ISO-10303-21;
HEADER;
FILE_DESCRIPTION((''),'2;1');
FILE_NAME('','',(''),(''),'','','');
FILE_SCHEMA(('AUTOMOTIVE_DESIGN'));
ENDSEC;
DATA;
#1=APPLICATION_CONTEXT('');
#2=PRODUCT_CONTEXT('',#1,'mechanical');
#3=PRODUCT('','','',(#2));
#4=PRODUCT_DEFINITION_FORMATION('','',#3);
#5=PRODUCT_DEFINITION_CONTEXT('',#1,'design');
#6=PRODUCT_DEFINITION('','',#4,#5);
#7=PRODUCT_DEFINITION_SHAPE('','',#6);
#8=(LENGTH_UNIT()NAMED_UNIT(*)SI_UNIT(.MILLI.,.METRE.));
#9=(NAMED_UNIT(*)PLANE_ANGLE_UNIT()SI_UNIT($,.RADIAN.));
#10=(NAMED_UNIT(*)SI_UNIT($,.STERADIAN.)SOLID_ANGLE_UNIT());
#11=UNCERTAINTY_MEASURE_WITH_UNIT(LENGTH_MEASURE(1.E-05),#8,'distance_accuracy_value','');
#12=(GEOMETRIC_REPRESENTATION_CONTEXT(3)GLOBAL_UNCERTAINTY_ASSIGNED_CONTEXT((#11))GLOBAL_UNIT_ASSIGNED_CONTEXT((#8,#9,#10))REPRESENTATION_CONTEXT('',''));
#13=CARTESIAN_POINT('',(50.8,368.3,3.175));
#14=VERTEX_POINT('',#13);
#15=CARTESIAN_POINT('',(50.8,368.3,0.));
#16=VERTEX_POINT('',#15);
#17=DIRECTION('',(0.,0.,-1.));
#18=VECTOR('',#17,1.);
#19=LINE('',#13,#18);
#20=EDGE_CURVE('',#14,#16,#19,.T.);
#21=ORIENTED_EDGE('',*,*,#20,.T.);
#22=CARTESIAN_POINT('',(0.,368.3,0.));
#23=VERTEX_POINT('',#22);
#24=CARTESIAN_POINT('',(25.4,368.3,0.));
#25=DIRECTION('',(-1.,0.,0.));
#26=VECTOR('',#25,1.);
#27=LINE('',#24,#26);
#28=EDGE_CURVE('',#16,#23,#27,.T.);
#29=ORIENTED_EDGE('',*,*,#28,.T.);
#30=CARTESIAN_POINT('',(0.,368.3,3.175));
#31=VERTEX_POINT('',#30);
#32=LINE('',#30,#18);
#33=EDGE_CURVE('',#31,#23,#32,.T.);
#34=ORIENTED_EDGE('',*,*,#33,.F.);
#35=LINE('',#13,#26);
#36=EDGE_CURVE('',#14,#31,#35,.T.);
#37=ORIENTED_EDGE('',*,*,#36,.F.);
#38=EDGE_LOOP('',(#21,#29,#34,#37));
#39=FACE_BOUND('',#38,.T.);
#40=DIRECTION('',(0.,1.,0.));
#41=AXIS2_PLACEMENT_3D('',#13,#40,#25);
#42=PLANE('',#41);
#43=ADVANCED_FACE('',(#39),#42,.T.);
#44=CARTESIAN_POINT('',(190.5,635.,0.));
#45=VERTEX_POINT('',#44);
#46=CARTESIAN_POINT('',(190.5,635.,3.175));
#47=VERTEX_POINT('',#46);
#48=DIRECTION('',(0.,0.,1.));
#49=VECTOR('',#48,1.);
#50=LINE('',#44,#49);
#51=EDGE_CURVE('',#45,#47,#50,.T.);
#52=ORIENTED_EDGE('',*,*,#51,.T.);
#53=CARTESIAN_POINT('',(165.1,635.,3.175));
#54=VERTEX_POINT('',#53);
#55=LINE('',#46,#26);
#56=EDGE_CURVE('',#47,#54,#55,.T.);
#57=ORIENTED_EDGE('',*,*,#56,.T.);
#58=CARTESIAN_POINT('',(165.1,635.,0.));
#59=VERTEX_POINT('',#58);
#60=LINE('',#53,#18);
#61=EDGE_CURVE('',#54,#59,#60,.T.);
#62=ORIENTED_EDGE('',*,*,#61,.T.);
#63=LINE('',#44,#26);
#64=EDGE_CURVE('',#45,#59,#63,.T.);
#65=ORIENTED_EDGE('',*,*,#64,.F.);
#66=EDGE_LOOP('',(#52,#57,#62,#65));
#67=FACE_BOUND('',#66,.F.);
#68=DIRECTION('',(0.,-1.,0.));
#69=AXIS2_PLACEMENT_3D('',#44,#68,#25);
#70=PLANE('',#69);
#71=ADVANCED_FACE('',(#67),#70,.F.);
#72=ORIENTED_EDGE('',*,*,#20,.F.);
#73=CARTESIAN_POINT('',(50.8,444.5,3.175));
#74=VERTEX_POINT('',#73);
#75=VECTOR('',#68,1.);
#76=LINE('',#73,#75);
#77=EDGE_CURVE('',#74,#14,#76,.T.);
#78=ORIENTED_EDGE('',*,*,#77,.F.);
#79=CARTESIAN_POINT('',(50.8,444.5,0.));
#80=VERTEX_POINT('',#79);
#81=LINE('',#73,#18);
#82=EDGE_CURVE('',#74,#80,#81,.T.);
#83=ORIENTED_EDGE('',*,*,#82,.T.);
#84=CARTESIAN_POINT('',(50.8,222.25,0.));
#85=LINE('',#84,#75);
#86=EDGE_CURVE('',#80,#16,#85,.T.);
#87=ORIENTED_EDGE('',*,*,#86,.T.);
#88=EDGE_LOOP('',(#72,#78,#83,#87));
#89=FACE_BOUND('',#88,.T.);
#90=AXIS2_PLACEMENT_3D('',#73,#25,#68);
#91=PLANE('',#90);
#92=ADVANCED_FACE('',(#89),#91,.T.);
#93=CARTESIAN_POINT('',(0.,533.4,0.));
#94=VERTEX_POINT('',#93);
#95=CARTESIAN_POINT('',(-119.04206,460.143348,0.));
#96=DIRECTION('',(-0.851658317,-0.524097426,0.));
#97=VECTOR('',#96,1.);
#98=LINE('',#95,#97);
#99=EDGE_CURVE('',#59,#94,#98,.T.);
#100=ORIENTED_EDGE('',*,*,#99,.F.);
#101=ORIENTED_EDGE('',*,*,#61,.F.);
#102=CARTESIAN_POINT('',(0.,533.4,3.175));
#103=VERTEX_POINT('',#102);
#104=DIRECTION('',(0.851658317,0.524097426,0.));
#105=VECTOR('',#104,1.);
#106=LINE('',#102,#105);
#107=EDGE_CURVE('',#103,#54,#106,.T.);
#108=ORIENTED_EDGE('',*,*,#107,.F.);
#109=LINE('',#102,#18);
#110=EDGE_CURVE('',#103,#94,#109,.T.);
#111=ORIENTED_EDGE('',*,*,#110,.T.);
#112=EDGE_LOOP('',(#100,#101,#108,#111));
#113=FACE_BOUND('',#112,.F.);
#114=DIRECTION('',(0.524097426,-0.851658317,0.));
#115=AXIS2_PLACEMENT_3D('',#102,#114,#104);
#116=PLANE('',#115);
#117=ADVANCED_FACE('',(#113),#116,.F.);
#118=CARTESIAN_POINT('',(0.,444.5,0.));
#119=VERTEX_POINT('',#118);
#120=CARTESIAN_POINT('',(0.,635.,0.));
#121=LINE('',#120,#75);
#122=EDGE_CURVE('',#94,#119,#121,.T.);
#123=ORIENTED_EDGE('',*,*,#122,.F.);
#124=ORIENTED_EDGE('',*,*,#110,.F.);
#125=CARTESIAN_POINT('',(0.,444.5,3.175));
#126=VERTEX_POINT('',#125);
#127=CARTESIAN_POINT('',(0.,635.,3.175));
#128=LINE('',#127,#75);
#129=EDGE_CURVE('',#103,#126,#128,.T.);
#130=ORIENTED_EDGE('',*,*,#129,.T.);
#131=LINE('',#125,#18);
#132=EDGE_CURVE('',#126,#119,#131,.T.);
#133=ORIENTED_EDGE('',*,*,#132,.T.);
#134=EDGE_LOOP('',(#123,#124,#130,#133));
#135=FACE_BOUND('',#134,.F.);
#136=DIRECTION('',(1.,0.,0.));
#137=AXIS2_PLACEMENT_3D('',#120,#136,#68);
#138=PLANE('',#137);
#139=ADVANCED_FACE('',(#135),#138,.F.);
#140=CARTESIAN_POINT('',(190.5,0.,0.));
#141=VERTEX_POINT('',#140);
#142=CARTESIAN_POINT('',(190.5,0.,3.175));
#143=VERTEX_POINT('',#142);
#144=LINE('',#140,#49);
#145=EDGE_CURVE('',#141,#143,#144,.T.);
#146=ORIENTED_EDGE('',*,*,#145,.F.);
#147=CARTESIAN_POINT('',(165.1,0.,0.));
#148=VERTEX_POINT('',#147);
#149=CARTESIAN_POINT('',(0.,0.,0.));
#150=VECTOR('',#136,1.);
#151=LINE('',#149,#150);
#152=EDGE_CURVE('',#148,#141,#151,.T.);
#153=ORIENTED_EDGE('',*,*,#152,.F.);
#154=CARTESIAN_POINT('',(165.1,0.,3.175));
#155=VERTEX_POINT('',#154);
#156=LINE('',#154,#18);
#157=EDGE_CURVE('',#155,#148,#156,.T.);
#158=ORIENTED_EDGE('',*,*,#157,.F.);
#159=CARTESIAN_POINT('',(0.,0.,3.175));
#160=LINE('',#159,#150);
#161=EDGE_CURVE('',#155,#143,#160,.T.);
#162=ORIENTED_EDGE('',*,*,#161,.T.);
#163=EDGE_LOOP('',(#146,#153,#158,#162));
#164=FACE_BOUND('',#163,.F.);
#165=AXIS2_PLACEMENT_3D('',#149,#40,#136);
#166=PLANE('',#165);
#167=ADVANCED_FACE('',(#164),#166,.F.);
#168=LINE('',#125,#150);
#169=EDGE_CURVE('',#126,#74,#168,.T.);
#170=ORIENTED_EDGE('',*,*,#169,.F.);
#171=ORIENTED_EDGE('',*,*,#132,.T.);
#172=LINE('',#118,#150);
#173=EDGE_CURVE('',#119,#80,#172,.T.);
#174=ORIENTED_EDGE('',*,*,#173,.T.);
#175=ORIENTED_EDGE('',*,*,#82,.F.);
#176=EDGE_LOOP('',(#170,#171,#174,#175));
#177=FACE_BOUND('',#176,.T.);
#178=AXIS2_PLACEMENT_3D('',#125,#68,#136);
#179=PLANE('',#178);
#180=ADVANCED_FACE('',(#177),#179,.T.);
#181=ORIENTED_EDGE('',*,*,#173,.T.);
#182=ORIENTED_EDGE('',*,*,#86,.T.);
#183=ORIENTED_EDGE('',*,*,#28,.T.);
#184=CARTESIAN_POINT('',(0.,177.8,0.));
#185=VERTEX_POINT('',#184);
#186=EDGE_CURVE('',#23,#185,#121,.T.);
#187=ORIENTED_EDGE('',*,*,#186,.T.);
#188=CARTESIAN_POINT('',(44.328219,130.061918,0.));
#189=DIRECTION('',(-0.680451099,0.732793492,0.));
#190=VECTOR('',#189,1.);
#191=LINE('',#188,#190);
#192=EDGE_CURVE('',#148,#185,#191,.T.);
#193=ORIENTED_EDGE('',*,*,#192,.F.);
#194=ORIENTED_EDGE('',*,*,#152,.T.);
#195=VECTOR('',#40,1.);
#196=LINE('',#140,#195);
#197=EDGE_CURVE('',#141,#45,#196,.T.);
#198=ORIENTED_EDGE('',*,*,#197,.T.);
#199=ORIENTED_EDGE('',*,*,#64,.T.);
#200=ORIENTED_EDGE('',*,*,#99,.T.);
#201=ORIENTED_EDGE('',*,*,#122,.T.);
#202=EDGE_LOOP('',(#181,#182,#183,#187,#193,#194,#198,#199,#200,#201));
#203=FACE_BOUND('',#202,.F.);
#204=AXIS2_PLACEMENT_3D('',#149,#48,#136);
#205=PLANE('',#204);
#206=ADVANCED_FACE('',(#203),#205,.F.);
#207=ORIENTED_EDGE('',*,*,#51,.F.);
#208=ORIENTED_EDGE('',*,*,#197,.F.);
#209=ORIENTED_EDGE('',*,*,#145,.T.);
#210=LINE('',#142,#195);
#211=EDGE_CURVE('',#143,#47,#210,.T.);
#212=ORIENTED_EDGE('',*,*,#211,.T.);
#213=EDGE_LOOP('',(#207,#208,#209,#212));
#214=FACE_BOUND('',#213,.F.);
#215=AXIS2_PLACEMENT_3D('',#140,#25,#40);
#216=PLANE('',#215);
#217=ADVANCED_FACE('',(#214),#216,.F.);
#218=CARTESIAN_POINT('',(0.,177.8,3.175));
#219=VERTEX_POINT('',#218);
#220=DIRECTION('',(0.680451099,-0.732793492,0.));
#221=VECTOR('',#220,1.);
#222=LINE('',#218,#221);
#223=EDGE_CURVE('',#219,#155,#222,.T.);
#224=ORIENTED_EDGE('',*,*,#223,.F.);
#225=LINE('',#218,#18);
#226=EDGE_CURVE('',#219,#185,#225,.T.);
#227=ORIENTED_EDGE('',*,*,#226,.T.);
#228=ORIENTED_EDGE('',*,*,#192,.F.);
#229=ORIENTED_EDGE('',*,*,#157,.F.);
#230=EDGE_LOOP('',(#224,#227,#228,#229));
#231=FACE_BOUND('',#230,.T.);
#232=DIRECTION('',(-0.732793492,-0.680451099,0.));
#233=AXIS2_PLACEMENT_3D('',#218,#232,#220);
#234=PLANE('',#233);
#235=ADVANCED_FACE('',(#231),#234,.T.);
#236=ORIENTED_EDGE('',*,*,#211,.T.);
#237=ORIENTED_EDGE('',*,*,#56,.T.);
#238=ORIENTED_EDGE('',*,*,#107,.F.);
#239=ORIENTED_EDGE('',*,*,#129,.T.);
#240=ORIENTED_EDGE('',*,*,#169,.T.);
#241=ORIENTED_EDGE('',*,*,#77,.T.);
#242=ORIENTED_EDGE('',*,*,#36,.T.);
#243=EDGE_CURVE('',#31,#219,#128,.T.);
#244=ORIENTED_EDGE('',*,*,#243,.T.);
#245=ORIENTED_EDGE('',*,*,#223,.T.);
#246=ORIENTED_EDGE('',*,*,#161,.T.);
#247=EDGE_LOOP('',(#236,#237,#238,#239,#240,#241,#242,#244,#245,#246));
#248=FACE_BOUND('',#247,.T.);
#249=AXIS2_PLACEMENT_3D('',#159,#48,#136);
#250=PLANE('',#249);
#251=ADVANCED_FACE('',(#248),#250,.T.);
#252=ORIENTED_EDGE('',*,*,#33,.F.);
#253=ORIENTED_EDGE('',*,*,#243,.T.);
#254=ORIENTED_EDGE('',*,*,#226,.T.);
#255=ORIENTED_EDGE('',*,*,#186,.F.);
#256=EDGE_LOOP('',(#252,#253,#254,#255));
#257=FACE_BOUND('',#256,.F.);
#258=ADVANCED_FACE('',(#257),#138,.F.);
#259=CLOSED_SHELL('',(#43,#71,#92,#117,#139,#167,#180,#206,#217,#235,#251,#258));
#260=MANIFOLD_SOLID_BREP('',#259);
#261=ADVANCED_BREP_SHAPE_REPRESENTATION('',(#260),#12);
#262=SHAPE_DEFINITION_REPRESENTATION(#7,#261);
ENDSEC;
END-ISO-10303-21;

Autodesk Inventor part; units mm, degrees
ref_plane "YZ Plane" through (0, 0, 0) normal (1, 0, 0) x (0, 1, 0)
ref_plane "XZ Plane" through (0, 0, 0) normal (0, 1, 0) x (-1, 0, 0)
ref_plane "XY Plane" through (0, 0, 0) normal (0, 0, 1) x (1, 0, 0)
sketch "Sketch1" plane through (0, 0, 0) normal (0, 0, 1) x (1, 0, 0)
  line L0 (0, 0) -> (190.5, 0)
  line L1 (190.5, 0) -> (190.5, 635)
  line L2 (190.5, 635) -> (0, 635)
  line L3 (0, 635) -> (0, 0)
  dimension "d0" = 190.5
  dimension "d1" = 635
extrude "Extrusion1" add sketch "Sketch1" along normal blind 3.175
sketch "Sketch2" plane through (0, 0, 3.175) normal (0, 0, 1) x (1, 0, 0)
  line L0 (0, 0) -> (0, 635) projected
  line L1 (190.5, 0) -> (0, 0) projected
  line L2 (165.1, 0) -> (0, 0)
  line L3 (0, 177.8) -> (165.1, 0)
  line L4 (0, 635) -> (190.5, 635) projected
  line L5 (165.1, 635) -> (0, 635)
  line L6 (0, 533.4) -> (165.1, 635)
  line L7 (0, 533.4) -> (0, 635)
  line L8 (165.1, 635) -> (165.1, 0) construction
  line L9 (190.5, 635) -> (190.5, 0) projected
  dimension "d5" = 177.8
  dimension "d8" = 101.6
  dimension "d9" = 25.4
extrude "Extrusion2" cut sketch "Sketch2" against normal up to next contours L0 L3 L1 | L0 L4 L6
sketch "Sketch4" plane through (0, 0, 3.175) normal (0, 0, 1) x (1, 0, 0)
  line L0 (0, 177.8) -> (0, 533.4) projected
  line L1 (0, 444.5) -> (50.8, 444.5)
  line L2 (50.8, 444.5) -> (50.8, 368.3)
  line L3 (50.8, 368.3) -> (0, 368.3)
  line L4 (0, 368.3) -> (0, 444.5)
  line L5 (165.1, 635) -> (50.8, 635) construction
  line L6 (50.8, 635) -> (50.8, 444.5) construction
  line L7 (50.8, 368.3) -> (50.8, 0) construction
  line L8 (50.8, 0) -> (165.1, 0) construction
  point P0 (0, 0)
  dimension "d17" = 76.2
  dimension "d18" = 50.8
  dimension "d27" = 190.5
extrude "ConveyorHole" cut sketch "Sketch4" against normal through all
properties part number "Conveyor_Frame_BottomStabilizerPlate" material "Aluminum-6061"
